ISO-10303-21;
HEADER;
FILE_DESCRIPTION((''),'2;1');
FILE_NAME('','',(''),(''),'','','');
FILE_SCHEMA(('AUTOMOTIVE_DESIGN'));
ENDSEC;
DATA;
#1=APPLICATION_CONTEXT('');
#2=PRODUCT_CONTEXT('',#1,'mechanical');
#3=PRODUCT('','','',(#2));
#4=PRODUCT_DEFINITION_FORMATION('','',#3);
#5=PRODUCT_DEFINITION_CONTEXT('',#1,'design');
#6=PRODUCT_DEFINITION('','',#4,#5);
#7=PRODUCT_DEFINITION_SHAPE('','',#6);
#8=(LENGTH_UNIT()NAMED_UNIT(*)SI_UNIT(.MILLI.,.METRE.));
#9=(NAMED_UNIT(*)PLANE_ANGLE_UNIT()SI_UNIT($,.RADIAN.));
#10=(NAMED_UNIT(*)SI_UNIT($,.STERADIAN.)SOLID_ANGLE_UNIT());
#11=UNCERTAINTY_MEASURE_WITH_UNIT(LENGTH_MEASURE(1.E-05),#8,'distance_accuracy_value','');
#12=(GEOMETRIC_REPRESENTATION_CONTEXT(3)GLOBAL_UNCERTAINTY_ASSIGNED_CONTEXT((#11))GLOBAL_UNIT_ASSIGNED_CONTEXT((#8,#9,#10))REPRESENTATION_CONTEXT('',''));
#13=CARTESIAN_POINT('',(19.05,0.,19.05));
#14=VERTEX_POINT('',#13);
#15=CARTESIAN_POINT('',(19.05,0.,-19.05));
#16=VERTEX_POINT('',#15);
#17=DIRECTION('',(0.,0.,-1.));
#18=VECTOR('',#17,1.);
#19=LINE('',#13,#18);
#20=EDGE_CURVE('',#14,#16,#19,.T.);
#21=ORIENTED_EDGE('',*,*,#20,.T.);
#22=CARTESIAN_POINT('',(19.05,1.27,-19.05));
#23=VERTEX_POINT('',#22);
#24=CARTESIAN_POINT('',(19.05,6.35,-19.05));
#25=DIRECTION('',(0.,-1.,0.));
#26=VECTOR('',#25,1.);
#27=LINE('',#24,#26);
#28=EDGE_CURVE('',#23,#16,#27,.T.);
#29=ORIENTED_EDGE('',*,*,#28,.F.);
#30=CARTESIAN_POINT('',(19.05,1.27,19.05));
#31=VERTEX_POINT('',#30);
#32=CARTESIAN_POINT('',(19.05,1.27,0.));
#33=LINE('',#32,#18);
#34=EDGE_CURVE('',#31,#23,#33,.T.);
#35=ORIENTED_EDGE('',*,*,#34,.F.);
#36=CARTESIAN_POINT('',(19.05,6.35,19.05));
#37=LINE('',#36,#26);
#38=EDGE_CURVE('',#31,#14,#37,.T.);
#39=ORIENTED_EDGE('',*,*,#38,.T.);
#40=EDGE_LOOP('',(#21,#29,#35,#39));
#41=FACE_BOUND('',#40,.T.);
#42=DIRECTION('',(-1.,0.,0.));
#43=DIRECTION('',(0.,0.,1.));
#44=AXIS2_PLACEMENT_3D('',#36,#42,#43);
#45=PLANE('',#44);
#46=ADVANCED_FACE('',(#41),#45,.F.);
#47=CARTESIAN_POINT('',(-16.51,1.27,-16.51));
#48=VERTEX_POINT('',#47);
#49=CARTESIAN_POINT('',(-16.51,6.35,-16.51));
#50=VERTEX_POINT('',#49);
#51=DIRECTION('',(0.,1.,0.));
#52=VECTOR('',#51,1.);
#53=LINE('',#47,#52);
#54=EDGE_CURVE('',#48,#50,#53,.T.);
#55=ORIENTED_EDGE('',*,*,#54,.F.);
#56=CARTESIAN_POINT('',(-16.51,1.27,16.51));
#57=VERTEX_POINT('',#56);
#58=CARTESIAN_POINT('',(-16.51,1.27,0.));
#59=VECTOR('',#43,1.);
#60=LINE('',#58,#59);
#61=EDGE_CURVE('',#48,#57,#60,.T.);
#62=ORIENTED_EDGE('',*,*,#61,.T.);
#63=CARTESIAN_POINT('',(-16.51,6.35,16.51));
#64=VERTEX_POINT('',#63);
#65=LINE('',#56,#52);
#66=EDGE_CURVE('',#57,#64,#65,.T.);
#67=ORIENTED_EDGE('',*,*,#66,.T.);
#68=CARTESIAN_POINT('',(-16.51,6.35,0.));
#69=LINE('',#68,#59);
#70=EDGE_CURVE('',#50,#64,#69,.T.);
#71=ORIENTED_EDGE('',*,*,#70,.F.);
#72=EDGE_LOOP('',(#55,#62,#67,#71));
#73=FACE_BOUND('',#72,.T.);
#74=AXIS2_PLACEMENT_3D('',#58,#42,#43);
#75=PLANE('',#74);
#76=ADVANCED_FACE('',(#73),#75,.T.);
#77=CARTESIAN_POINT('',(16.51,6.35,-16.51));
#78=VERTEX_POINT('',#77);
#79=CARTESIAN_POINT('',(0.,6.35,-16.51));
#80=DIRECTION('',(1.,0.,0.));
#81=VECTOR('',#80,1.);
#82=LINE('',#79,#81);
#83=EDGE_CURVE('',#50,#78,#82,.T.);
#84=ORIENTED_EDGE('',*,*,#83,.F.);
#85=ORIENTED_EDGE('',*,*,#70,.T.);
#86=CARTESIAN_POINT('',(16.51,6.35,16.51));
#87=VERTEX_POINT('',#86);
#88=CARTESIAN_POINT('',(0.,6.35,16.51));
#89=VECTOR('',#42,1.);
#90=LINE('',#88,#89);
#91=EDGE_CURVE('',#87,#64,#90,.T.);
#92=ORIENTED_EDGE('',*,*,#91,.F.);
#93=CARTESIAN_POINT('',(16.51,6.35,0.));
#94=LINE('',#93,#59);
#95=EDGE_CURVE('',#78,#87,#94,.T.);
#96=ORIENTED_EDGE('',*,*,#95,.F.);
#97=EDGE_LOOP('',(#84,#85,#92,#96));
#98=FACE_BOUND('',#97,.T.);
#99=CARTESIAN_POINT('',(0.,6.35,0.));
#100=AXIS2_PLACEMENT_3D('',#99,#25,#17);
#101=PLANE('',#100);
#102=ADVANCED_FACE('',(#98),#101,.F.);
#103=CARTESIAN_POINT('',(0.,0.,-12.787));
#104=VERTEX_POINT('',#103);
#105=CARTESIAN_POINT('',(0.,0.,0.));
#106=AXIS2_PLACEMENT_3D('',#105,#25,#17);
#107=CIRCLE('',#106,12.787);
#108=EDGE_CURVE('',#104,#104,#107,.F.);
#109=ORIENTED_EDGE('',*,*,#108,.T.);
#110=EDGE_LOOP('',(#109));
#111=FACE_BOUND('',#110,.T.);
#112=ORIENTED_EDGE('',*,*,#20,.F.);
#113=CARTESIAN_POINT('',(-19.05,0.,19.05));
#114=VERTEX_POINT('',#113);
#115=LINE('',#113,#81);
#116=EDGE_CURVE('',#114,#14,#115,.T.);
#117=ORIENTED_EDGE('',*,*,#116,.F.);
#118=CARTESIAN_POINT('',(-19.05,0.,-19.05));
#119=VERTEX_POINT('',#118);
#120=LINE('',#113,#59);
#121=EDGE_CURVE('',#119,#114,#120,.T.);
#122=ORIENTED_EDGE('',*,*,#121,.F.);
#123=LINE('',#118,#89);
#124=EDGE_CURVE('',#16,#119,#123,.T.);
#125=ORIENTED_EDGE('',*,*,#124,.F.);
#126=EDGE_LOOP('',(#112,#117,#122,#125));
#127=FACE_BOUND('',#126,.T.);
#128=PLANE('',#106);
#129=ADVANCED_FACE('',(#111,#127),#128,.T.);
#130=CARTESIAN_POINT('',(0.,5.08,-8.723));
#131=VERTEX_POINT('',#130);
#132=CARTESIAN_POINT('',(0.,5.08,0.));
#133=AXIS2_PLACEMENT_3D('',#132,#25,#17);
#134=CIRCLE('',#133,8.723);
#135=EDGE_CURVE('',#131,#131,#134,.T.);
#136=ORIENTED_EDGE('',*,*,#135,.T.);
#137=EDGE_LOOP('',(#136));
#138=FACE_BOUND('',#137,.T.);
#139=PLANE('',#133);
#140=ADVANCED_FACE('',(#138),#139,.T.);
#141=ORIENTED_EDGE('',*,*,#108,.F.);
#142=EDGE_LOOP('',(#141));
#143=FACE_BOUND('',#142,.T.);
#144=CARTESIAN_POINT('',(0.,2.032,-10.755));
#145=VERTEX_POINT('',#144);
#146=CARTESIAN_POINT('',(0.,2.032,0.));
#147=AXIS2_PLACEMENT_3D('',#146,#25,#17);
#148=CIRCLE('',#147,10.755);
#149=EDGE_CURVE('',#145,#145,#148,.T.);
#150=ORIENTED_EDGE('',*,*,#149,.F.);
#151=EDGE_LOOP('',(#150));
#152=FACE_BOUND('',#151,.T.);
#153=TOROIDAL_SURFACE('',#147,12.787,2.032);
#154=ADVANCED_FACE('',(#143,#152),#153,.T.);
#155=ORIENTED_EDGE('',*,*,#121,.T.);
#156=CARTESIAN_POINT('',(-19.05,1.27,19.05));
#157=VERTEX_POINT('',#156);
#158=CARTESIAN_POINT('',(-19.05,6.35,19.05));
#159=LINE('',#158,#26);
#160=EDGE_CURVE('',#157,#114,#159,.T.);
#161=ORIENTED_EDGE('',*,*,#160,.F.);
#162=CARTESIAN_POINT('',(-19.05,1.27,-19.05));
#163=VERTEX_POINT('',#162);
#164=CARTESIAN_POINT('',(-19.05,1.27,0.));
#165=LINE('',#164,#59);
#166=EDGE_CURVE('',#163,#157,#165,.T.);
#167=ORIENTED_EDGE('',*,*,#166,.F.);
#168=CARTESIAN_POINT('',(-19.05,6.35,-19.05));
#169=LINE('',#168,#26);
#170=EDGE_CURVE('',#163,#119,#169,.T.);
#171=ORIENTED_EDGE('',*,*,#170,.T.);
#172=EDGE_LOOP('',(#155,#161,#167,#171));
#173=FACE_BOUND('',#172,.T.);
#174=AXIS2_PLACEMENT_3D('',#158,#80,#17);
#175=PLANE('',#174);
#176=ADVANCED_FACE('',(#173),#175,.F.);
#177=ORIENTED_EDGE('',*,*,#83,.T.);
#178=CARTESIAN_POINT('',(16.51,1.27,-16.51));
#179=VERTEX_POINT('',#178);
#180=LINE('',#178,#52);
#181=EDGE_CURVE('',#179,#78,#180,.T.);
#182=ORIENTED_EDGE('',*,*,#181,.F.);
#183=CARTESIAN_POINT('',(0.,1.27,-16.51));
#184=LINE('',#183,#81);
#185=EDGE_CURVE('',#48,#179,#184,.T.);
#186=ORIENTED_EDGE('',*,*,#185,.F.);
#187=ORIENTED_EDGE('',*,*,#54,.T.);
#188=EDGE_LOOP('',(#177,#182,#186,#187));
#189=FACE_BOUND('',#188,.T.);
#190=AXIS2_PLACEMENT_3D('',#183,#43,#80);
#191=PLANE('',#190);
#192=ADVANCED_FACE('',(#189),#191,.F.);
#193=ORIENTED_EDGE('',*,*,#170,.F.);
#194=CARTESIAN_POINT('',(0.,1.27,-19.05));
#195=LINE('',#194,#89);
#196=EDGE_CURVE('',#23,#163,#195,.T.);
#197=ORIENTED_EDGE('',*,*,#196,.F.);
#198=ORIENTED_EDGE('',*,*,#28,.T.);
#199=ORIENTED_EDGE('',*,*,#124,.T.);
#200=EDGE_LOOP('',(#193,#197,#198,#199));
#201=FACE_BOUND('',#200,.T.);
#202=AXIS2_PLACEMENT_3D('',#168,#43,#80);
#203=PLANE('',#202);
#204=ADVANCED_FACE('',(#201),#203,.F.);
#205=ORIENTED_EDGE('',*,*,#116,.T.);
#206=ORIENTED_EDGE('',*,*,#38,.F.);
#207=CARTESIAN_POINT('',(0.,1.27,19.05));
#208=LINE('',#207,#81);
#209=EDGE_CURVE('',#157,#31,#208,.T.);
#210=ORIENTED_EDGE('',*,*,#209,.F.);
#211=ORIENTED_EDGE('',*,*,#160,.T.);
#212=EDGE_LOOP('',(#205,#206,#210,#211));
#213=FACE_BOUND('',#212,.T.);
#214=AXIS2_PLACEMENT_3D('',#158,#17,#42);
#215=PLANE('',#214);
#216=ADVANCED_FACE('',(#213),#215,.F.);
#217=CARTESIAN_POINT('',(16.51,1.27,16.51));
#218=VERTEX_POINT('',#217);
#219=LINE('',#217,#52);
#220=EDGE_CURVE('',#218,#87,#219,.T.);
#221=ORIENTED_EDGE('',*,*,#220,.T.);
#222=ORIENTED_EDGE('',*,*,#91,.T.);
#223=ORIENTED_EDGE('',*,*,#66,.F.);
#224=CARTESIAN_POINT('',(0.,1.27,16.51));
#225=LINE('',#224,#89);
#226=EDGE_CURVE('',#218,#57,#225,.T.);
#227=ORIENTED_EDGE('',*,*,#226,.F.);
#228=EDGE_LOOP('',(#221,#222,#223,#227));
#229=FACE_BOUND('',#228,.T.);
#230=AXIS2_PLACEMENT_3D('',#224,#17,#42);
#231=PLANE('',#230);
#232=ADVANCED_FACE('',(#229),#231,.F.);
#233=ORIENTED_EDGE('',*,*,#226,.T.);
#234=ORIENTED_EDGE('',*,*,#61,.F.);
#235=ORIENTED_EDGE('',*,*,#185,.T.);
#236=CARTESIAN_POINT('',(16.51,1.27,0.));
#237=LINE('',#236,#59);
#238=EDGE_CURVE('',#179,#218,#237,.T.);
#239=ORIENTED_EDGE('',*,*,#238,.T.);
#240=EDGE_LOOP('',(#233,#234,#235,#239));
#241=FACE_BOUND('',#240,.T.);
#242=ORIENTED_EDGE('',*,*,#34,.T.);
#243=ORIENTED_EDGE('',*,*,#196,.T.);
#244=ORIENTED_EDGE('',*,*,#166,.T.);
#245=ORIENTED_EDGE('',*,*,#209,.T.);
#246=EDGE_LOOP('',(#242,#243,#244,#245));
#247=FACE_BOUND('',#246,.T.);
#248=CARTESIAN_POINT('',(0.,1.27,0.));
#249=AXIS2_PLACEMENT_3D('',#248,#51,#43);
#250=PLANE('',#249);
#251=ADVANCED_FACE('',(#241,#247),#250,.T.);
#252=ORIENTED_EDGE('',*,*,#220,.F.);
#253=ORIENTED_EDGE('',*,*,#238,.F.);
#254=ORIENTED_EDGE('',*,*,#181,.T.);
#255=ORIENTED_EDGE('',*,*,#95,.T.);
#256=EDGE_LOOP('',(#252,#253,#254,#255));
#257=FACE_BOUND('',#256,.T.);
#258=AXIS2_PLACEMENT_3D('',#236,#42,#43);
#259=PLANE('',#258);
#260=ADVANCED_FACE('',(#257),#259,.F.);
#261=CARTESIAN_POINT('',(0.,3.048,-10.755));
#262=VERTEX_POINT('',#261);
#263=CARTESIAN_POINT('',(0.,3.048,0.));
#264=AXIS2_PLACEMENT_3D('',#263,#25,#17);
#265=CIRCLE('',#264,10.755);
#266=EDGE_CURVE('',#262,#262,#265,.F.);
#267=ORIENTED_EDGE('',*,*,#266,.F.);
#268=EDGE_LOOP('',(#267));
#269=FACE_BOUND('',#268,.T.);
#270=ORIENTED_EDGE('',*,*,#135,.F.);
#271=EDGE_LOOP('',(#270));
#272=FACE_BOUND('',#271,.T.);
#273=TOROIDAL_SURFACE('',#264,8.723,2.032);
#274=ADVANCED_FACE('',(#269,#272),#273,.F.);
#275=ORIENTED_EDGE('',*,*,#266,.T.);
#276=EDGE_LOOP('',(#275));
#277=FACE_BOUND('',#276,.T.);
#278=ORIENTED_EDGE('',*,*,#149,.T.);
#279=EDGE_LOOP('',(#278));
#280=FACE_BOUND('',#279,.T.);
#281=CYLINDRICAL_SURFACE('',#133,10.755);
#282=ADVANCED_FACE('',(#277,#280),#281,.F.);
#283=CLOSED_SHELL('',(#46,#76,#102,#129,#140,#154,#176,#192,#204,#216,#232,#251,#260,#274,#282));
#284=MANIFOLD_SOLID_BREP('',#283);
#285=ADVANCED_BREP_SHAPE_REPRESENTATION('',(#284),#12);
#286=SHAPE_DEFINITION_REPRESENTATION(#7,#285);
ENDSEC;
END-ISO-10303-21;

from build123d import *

# Parameters (mm, degrees)
SKETCH1_W           = 38.1
SKETCH1_H           = 38.1
BOSS_EXTRUDE1_DEPTH = 6.35
SKETCH2_W           = 33.02
SKETCH2_H           = 33.02
CUT_EXTRUDE1_DEPTH  = 5.08
SKETCH5_R           = 10.755
CUT_EXTRUDE5_DEPTH  = 5.08
FILLET7_R           = 2.032
FILLET8_R           = 2.032


with BuildPart() as part:
    # Sketch1 → Boss-Extrude1 (new body)
    with BuildSketch(Plane(origin=(0, 0, 0), x_dir=(1, 0, 0), z_dir=(0, 1, 0))):
        Rectangle(SKETCH1_W, SKETCH1_H)
    extrude(amount=BOSS_EXTRUDE1_DEPTH)

    # Sketch2 → Cut-Extrude1 (cut)
    with BuildSketch(Plane(origin=(0, 6.35, 0), x_dir=(1, 0, 0), z_dir=(0, 1, 0))):
        Polygon((-16.51, 19.05), (-19.05, 19.05), (-19.05, 16.51), (-19.05, -16.51), (-19.05, -19.05), (-16.51, -19.05), (16.51, -19.05), (19.05, -19.05), (19.05, -16.51), (19.05, 16.51), (19.05, 19.05), (16.51, 19.05), align=None)
        Rectangle(SKETCH2_W, SKETCH2_H, mode=Mode.SUBTRACT)
    extrude(amount=-CUT_EXTRUDE1_DEPTH, mode=Mode.SUBTRACT)

    # Sketch5 → Cut-Extrude5 (cut)
    with BuildSketch(Plane.XZ):
        with Locations(Location((0, 0, 0), (0, 0, 270))):
            Circle(SKETCH5_R)
    extrude(amount=-CUT_EXTRUDE5_DEPTH, mode=Mode.SUBTRACT)

    # Fillet7
    fillet7_edges = [part.edges().sort_by_distance(p)[0] for p in [
        (0, 5.08, 10.755),
    ]]
    fillet(fillet7_edges, radius=FILLET7_R)

    # Fillet8
    fillet8_edges = [part.edges().sort_by_distance(p)[0] for p in [
        (0, 0, 10.755),
    ]]
    fillet(fillet8_edges, radius=FILLET8_R)


solid = part.part
